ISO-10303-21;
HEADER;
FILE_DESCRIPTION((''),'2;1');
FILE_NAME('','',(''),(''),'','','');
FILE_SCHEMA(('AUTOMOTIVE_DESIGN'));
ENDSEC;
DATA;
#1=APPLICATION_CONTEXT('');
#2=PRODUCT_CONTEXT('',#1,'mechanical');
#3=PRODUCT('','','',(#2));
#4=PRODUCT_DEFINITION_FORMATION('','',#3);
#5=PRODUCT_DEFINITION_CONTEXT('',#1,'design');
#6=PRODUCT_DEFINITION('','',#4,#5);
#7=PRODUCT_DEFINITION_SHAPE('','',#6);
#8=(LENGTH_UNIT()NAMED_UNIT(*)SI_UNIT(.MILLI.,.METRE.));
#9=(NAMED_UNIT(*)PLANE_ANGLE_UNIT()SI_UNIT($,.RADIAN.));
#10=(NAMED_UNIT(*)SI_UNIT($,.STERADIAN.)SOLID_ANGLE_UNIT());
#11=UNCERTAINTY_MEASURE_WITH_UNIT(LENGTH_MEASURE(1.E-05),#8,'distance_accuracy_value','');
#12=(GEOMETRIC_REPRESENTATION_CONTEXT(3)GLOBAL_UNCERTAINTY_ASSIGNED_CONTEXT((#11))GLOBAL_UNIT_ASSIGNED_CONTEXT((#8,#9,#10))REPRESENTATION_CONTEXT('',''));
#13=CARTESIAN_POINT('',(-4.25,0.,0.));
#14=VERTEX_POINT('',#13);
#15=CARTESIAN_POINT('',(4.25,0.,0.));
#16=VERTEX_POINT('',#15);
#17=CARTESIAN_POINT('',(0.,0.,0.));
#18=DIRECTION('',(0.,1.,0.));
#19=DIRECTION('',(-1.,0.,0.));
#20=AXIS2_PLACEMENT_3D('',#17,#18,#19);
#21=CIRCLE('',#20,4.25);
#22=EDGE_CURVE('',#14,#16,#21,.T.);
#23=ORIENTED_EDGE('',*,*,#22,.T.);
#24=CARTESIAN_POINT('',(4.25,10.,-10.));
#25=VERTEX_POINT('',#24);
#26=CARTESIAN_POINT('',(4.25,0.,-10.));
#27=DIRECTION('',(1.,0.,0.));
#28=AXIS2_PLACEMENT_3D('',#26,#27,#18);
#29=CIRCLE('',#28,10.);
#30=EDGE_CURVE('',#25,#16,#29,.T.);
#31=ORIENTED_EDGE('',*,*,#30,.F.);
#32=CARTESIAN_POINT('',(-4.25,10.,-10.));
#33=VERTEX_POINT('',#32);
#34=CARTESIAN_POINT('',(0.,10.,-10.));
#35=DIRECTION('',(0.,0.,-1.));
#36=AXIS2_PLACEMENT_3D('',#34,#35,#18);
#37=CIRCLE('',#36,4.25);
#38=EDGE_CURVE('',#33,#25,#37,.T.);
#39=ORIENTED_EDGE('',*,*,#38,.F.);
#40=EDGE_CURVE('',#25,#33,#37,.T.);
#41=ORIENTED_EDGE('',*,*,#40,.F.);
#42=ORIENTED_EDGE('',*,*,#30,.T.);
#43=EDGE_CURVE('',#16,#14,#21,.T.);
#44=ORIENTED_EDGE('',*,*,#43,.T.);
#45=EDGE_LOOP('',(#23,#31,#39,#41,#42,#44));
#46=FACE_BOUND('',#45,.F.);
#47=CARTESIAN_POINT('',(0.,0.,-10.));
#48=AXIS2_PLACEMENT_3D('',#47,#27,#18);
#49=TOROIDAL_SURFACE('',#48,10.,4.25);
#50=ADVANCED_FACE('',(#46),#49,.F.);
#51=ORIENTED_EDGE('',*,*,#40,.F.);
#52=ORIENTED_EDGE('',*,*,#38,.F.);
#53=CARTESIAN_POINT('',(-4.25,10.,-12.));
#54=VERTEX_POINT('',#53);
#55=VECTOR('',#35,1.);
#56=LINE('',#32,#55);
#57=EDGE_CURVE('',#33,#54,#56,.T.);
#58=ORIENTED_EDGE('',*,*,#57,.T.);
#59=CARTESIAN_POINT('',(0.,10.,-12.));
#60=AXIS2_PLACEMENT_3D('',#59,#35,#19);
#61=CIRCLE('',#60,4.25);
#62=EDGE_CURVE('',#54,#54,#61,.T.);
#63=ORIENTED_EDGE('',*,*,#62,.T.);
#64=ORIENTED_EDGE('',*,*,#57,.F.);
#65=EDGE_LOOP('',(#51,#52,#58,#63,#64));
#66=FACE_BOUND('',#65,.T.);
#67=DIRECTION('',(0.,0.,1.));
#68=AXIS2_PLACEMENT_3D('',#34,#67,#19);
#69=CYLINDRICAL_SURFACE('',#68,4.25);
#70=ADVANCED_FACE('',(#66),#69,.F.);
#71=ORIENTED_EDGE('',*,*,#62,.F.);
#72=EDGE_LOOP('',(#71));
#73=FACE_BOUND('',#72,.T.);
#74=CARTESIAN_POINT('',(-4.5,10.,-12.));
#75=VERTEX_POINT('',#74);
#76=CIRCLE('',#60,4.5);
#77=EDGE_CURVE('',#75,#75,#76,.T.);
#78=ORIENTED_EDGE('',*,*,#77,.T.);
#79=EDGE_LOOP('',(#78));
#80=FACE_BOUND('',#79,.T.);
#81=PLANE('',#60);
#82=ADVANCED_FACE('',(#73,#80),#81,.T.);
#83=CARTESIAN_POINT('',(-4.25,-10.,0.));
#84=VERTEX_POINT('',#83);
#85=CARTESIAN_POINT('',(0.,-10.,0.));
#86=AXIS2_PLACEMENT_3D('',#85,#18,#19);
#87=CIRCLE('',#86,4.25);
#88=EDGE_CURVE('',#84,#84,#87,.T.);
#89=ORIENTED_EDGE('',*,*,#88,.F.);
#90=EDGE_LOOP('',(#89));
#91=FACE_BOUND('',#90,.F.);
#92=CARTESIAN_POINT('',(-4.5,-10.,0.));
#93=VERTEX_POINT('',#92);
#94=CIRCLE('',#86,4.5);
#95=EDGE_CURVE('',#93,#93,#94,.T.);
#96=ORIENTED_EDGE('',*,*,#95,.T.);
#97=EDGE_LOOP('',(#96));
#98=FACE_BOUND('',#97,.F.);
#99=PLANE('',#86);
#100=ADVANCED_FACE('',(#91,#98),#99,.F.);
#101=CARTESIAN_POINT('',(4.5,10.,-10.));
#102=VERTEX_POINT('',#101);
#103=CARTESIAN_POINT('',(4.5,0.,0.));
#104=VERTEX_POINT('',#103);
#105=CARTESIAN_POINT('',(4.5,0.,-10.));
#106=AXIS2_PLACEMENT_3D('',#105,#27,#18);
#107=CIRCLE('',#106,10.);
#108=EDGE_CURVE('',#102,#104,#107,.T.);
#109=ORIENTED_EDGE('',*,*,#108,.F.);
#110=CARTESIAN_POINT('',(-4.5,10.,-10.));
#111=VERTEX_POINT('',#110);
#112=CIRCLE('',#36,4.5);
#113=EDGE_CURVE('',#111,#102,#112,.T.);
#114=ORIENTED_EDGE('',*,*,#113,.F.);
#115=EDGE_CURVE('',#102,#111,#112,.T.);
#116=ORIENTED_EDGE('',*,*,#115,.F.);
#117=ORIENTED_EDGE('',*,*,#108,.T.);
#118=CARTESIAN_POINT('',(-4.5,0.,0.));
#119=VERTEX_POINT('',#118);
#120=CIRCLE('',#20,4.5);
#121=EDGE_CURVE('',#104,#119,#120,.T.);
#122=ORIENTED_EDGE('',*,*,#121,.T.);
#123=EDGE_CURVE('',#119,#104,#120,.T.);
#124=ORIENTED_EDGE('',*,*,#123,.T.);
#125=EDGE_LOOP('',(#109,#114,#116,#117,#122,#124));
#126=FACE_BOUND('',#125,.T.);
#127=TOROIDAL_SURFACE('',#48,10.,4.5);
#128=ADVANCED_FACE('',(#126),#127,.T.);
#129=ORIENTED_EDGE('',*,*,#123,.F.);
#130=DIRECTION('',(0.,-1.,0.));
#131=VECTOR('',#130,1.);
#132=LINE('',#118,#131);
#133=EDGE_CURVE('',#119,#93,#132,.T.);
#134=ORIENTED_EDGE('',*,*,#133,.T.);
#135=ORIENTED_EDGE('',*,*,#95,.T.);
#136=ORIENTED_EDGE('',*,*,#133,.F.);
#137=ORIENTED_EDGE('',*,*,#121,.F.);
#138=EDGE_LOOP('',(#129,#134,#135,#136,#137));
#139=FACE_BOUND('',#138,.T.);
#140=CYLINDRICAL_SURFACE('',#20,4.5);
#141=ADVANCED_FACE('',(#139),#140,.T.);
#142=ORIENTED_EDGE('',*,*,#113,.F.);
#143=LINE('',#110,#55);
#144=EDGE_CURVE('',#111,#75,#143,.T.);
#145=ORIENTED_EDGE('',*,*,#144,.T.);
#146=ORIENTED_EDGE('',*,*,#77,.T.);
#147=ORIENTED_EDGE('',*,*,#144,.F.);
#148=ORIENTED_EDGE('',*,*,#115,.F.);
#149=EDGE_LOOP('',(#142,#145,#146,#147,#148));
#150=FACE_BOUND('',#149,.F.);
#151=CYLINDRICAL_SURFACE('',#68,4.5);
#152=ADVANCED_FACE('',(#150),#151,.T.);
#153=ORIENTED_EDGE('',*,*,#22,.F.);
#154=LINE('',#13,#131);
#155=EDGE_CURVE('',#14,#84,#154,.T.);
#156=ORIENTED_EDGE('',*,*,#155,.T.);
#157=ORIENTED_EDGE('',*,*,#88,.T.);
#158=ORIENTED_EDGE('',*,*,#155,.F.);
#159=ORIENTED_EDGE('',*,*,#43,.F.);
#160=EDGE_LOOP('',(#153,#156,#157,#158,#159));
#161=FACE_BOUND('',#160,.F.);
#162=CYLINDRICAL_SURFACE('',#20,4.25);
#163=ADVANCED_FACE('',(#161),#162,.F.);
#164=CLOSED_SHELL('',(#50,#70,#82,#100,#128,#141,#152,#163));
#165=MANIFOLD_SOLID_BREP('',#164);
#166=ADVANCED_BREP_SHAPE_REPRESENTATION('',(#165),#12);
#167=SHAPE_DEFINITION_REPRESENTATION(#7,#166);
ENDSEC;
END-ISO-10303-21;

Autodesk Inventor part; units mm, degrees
ref_plane "YZ Plane" through (0, 0, 0) normal (1, 0, 0) x (0, 1, 0)
ref_plane "XZ Plane" through (0, 0, 0) normal (0, 1, 0) x (-1, 0, 0)
ref_plane "XY Plane" through (0, 0, 0) normal (0, 0, 1) x (1, 0, 0)
sketch "Sketch1" plane through (0, 0, 0) normal (0, 1, 0) x (-1, 0, 0)
  circle A0 centre (0, 0) radius 4.5
  circle A1 centre (0, 0) radius 4.25
  dimension "d0" = 9
  dimension "d1" = 8.5
sketch "Sketch2" plane through (0, 0, 0) normal (1, 0, 0) x (0, 1, 0)
  line L0 (0, 0) -> (0, -10) construction
  arc A0 (10, -10) -> (0, 0) centre (0, -10) ccw
  dimension "d2" = 10
extrude "Extrusion1" add sketch "Sketch1" against normal blind 10
sketch "Sketch3" plane through (0, 0, 0) normal (0, 1, 0) x (1, 0, 0)
  circle A0 centre (0, 0) radius 4.25 projected
  circle A1 centre (0, 0) radius 4.5 projected
sweep "Sweep1" add profiles "Sketch3" path "Sketch2"
sketch "Sketch4" plane through (0, 10, -10) normal (0, 0, -1) x (-1, 0, 0)
  circle A0 centre (0, 0) radius 4.25 projected
  circle A1 centre (0, 0) radius 4.5 projected
  point P0 (0, -10)
extrude "Extrusion2" add sketch "Sketch4" along normal blind 2
properties part number "Rørende - water block"
